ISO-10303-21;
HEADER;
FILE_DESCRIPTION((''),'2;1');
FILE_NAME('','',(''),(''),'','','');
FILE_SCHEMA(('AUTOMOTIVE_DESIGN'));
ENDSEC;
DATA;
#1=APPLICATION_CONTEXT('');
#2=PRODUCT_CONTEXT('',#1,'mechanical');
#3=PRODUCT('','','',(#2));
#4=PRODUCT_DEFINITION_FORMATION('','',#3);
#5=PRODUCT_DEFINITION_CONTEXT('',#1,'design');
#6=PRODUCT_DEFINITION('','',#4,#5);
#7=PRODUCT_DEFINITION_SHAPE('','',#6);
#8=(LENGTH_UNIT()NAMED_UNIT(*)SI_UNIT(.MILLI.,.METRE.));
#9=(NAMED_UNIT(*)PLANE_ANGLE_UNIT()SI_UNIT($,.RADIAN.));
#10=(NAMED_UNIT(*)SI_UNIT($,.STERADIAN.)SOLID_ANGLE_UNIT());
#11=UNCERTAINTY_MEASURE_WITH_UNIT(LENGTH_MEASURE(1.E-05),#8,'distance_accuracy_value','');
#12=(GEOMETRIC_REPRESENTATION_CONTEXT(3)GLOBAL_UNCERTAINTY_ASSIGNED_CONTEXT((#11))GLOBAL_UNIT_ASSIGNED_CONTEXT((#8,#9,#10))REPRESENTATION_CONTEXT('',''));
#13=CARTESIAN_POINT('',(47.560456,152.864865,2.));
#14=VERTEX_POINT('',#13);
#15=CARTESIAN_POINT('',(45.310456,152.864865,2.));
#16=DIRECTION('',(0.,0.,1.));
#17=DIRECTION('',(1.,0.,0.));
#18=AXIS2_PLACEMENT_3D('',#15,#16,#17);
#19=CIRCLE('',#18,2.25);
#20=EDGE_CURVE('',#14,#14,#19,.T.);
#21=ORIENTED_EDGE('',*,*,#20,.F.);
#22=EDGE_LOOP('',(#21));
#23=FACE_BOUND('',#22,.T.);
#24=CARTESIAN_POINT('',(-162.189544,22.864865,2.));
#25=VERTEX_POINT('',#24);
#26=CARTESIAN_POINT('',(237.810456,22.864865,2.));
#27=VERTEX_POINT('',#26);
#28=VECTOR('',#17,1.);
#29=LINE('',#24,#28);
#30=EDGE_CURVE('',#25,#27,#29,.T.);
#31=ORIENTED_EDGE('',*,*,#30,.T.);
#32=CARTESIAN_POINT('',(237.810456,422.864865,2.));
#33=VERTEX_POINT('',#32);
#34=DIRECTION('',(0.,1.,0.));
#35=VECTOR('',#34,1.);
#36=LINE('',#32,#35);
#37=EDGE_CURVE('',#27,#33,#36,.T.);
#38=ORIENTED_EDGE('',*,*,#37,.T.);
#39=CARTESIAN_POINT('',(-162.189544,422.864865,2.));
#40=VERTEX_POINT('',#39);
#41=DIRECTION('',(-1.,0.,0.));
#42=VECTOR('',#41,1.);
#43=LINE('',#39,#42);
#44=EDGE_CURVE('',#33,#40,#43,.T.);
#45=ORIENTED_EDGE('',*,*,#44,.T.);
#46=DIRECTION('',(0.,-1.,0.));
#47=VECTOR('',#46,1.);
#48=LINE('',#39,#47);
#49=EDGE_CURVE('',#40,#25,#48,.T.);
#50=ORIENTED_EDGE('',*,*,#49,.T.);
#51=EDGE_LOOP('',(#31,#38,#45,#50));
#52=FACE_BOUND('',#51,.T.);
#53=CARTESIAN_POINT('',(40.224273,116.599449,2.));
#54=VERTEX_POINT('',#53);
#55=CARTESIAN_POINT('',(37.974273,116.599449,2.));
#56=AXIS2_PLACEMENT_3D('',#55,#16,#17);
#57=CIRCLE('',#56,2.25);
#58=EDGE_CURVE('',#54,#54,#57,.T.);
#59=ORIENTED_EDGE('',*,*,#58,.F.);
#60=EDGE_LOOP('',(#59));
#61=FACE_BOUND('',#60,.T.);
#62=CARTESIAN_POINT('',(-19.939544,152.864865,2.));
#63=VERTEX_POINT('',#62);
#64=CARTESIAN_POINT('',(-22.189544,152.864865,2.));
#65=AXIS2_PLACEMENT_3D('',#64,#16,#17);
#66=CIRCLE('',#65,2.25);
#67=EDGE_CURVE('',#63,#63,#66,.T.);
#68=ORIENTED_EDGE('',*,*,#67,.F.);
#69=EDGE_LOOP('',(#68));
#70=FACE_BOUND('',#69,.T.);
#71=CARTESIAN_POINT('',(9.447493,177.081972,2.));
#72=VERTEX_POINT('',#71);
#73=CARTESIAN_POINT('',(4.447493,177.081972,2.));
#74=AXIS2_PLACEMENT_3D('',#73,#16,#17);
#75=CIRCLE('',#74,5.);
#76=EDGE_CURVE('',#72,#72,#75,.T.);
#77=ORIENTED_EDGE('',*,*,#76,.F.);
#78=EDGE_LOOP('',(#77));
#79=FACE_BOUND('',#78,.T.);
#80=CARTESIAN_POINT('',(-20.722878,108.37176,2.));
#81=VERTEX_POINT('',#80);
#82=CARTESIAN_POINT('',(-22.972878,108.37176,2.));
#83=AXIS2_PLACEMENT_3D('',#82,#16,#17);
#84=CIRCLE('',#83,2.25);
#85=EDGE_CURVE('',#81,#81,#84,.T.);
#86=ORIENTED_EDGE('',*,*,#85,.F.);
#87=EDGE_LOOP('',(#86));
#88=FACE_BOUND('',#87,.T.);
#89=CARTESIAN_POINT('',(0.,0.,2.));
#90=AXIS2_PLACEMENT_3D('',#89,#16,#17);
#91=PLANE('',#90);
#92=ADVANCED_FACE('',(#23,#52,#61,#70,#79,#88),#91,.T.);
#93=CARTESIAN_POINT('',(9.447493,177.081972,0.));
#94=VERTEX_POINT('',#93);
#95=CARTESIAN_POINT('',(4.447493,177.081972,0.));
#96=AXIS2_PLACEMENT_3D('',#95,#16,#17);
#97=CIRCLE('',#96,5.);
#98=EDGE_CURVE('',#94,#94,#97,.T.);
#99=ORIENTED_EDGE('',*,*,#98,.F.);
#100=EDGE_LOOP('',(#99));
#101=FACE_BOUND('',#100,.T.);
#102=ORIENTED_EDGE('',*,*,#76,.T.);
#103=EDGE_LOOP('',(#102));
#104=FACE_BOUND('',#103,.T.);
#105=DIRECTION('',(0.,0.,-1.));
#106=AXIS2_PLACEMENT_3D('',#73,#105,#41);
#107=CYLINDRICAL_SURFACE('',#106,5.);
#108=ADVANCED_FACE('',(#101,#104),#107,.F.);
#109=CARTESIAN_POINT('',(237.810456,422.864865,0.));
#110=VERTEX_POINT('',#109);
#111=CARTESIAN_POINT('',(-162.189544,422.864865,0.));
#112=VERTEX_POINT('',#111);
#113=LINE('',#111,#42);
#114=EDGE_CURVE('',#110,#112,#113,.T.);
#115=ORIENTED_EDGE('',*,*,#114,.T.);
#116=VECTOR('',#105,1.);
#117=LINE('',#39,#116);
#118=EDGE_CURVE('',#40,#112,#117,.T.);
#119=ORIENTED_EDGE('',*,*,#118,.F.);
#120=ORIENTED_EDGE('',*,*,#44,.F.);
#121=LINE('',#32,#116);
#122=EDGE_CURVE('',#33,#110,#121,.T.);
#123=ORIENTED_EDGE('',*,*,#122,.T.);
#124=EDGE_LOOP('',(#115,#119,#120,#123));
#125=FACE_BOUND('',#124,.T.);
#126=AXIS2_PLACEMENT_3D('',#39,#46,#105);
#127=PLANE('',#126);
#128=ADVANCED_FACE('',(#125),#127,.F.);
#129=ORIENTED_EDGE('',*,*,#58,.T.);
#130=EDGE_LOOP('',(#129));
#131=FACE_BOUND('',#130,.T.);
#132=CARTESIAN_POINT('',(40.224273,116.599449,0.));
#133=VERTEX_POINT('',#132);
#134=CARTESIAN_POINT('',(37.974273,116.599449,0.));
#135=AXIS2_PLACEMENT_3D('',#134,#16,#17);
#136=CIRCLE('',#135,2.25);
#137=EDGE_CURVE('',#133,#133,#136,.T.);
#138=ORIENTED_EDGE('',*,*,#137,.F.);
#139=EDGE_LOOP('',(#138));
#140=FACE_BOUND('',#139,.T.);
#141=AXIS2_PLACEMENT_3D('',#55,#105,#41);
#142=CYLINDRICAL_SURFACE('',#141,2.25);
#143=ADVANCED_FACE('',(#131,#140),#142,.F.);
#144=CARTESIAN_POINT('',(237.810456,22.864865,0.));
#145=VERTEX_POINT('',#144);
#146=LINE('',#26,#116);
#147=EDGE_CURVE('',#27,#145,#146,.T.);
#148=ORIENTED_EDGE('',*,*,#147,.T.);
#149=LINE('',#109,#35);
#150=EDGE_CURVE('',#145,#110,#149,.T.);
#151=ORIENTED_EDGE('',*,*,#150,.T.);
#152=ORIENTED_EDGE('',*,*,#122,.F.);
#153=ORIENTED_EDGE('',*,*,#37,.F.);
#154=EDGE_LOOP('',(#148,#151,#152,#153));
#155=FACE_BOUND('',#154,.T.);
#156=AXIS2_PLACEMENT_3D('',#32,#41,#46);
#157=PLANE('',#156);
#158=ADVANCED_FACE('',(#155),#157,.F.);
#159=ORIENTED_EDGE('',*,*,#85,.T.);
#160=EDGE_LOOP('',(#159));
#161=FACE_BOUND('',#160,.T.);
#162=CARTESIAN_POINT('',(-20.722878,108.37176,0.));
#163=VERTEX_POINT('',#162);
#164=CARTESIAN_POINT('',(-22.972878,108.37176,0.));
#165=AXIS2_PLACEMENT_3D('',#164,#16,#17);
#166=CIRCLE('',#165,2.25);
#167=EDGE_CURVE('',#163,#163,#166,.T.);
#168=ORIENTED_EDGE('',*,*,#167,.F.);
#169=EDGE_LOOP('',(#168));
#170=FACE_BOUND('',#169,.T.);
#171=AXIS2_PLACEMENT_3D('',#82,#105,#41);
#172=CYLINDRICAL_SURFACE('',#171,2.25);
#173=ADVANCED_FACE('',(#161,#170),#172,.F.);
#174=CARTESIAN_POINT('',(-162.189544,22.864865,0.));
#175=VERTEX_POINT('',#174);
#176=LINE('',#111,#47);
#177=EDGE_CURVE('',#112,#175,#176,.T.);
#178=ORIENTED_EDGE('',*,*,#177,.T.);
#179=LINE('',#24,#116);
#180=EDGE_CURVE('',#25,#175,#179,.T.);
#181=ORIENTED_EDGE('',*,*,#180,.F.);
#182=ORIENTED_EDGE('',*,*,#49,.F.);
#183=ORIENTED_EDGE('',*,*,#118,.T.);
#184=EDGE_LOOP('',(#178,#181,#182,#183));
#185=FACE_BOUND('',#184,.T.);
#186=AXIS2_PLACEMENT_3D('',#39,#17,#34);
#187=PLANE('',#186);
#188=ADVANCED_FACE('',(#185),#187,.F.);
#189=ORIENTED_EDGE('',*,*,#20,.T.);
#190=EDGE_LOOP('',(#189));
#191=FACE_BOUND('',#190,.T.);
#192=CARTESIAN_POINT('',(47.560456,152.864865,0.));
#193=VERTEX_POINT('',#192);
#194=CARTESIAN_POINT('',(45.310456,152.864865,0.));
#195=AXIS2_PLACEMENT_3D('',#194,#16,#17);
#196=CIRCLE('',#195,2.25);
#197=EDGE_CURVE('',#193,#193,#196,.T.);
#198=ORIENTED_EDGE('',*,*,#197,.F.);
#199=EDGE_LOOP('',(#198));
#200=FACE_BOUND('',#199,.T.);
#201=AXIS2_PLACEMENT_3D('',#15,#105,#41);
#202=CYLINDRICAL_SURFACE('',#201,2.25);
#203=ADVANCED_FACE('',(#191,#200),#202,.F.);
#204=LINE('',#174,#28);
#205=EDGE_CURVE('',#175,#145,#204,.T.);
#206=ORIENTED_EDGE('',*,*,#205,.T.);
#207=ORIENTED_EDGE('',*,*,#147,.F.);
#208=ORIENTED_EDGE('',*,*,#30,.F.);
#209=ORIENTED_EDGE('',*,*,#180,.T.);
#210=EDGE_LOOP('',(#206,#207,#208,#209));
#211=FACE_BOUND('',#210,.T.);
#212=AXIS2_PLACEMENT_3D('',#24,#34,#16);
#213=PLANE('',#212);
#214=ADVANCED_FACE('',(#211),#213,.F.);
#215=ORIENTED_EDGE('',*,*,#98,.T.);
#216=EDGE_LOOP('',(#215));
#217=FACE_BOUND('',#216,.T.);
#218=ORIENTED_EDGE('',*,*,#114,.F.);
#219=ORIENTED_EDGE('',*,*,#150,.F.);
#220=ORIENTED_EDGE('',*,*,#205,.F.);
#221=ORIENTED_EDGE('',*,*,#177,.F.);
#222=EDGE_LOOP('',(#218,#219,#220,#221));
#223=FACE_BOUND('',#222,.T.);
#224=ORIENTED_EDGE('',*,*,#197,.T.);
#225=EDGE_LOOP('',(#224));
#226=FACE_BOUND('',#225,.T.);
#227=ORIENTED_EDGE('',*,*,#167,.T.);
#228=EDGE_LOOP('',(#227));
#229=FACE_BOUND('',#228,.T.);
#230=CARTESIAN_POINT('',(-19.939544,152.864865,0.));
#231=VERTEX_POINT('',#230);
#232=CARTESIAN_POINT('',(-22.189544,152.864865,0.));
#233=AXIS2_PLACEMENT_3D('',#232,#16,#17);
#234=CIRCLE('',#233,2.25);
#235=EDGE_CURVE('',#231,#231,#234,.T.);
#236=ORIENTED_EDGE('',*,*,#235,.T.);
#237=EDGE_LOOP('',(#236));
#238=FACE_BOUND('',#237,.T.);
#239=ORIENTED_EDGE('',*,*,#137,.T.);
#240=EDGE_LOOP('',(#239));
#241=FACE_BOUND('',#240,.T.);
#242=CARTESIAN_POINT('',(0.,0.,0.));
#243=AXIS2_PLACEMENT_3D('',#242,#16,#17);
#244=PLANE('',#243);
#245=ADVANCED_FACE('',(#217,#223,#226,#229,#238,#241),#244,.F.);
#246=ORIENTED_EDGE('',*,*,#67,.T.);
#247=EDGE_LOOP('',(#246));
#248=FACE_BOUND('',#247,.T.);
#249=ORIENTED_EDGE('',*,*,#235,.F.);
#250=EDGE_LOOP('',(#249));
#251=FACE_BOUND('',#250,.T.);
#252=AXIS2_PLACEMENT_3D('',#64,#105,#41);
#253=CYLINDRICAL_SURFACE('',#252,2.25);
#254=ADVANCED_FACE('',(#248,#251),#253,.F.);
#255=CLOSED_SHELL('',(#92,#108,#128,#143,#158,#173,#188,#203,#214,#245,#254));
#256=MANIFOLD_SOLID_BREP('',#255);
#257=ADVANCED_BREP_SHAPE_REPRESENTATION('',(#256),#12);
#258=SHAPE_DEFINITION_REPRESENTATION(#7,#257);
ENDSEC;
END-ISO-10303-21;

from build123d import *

# Parameters (mm, degrees)
SKETCH_1_W      = 400
SKETCH_1_H      = 400
SKETCH_1_R      = 2.25
SKETCH_1_R_2    = 5
EXTRUDE_1_DEPTH = 2


with BuildPart() as part:
    # 草圖1 → 填料-伸長1 (new body)
    with BuildSketch(Plane.XY):
        with Locations((37.810455637, 222.864864865)):
            Rectangle(SKETCH_1_W, SKETCH_1_H)
        with Locations((-22.189544363, 152.864864865)):
            Circle(SKETCH_1_R, mode=Mode.SUBTRACT)
        with Locations((45.310455637, 152.864864865)):
            Circle(SKETCH_1_R, mode=Mode.SUBTRACT)
        with Locations((37.974272683, 116.599448561)):
            Circle(SKETCH_1_R, mode=Mode.SUBTRACT)
        with Locations((-22.972877697, 108.371759906)):
            Circle(SKETCH_1_R, mode=Mode.SUBTRACT)
        with Locations((4.447492674, 177.081971585)):
            Circle(SKETCH_1_R_2, mode=Mode.SUBTRACT)
    extrude(amount=EXTRUDE_1_DEPTH)


solid = part.part
